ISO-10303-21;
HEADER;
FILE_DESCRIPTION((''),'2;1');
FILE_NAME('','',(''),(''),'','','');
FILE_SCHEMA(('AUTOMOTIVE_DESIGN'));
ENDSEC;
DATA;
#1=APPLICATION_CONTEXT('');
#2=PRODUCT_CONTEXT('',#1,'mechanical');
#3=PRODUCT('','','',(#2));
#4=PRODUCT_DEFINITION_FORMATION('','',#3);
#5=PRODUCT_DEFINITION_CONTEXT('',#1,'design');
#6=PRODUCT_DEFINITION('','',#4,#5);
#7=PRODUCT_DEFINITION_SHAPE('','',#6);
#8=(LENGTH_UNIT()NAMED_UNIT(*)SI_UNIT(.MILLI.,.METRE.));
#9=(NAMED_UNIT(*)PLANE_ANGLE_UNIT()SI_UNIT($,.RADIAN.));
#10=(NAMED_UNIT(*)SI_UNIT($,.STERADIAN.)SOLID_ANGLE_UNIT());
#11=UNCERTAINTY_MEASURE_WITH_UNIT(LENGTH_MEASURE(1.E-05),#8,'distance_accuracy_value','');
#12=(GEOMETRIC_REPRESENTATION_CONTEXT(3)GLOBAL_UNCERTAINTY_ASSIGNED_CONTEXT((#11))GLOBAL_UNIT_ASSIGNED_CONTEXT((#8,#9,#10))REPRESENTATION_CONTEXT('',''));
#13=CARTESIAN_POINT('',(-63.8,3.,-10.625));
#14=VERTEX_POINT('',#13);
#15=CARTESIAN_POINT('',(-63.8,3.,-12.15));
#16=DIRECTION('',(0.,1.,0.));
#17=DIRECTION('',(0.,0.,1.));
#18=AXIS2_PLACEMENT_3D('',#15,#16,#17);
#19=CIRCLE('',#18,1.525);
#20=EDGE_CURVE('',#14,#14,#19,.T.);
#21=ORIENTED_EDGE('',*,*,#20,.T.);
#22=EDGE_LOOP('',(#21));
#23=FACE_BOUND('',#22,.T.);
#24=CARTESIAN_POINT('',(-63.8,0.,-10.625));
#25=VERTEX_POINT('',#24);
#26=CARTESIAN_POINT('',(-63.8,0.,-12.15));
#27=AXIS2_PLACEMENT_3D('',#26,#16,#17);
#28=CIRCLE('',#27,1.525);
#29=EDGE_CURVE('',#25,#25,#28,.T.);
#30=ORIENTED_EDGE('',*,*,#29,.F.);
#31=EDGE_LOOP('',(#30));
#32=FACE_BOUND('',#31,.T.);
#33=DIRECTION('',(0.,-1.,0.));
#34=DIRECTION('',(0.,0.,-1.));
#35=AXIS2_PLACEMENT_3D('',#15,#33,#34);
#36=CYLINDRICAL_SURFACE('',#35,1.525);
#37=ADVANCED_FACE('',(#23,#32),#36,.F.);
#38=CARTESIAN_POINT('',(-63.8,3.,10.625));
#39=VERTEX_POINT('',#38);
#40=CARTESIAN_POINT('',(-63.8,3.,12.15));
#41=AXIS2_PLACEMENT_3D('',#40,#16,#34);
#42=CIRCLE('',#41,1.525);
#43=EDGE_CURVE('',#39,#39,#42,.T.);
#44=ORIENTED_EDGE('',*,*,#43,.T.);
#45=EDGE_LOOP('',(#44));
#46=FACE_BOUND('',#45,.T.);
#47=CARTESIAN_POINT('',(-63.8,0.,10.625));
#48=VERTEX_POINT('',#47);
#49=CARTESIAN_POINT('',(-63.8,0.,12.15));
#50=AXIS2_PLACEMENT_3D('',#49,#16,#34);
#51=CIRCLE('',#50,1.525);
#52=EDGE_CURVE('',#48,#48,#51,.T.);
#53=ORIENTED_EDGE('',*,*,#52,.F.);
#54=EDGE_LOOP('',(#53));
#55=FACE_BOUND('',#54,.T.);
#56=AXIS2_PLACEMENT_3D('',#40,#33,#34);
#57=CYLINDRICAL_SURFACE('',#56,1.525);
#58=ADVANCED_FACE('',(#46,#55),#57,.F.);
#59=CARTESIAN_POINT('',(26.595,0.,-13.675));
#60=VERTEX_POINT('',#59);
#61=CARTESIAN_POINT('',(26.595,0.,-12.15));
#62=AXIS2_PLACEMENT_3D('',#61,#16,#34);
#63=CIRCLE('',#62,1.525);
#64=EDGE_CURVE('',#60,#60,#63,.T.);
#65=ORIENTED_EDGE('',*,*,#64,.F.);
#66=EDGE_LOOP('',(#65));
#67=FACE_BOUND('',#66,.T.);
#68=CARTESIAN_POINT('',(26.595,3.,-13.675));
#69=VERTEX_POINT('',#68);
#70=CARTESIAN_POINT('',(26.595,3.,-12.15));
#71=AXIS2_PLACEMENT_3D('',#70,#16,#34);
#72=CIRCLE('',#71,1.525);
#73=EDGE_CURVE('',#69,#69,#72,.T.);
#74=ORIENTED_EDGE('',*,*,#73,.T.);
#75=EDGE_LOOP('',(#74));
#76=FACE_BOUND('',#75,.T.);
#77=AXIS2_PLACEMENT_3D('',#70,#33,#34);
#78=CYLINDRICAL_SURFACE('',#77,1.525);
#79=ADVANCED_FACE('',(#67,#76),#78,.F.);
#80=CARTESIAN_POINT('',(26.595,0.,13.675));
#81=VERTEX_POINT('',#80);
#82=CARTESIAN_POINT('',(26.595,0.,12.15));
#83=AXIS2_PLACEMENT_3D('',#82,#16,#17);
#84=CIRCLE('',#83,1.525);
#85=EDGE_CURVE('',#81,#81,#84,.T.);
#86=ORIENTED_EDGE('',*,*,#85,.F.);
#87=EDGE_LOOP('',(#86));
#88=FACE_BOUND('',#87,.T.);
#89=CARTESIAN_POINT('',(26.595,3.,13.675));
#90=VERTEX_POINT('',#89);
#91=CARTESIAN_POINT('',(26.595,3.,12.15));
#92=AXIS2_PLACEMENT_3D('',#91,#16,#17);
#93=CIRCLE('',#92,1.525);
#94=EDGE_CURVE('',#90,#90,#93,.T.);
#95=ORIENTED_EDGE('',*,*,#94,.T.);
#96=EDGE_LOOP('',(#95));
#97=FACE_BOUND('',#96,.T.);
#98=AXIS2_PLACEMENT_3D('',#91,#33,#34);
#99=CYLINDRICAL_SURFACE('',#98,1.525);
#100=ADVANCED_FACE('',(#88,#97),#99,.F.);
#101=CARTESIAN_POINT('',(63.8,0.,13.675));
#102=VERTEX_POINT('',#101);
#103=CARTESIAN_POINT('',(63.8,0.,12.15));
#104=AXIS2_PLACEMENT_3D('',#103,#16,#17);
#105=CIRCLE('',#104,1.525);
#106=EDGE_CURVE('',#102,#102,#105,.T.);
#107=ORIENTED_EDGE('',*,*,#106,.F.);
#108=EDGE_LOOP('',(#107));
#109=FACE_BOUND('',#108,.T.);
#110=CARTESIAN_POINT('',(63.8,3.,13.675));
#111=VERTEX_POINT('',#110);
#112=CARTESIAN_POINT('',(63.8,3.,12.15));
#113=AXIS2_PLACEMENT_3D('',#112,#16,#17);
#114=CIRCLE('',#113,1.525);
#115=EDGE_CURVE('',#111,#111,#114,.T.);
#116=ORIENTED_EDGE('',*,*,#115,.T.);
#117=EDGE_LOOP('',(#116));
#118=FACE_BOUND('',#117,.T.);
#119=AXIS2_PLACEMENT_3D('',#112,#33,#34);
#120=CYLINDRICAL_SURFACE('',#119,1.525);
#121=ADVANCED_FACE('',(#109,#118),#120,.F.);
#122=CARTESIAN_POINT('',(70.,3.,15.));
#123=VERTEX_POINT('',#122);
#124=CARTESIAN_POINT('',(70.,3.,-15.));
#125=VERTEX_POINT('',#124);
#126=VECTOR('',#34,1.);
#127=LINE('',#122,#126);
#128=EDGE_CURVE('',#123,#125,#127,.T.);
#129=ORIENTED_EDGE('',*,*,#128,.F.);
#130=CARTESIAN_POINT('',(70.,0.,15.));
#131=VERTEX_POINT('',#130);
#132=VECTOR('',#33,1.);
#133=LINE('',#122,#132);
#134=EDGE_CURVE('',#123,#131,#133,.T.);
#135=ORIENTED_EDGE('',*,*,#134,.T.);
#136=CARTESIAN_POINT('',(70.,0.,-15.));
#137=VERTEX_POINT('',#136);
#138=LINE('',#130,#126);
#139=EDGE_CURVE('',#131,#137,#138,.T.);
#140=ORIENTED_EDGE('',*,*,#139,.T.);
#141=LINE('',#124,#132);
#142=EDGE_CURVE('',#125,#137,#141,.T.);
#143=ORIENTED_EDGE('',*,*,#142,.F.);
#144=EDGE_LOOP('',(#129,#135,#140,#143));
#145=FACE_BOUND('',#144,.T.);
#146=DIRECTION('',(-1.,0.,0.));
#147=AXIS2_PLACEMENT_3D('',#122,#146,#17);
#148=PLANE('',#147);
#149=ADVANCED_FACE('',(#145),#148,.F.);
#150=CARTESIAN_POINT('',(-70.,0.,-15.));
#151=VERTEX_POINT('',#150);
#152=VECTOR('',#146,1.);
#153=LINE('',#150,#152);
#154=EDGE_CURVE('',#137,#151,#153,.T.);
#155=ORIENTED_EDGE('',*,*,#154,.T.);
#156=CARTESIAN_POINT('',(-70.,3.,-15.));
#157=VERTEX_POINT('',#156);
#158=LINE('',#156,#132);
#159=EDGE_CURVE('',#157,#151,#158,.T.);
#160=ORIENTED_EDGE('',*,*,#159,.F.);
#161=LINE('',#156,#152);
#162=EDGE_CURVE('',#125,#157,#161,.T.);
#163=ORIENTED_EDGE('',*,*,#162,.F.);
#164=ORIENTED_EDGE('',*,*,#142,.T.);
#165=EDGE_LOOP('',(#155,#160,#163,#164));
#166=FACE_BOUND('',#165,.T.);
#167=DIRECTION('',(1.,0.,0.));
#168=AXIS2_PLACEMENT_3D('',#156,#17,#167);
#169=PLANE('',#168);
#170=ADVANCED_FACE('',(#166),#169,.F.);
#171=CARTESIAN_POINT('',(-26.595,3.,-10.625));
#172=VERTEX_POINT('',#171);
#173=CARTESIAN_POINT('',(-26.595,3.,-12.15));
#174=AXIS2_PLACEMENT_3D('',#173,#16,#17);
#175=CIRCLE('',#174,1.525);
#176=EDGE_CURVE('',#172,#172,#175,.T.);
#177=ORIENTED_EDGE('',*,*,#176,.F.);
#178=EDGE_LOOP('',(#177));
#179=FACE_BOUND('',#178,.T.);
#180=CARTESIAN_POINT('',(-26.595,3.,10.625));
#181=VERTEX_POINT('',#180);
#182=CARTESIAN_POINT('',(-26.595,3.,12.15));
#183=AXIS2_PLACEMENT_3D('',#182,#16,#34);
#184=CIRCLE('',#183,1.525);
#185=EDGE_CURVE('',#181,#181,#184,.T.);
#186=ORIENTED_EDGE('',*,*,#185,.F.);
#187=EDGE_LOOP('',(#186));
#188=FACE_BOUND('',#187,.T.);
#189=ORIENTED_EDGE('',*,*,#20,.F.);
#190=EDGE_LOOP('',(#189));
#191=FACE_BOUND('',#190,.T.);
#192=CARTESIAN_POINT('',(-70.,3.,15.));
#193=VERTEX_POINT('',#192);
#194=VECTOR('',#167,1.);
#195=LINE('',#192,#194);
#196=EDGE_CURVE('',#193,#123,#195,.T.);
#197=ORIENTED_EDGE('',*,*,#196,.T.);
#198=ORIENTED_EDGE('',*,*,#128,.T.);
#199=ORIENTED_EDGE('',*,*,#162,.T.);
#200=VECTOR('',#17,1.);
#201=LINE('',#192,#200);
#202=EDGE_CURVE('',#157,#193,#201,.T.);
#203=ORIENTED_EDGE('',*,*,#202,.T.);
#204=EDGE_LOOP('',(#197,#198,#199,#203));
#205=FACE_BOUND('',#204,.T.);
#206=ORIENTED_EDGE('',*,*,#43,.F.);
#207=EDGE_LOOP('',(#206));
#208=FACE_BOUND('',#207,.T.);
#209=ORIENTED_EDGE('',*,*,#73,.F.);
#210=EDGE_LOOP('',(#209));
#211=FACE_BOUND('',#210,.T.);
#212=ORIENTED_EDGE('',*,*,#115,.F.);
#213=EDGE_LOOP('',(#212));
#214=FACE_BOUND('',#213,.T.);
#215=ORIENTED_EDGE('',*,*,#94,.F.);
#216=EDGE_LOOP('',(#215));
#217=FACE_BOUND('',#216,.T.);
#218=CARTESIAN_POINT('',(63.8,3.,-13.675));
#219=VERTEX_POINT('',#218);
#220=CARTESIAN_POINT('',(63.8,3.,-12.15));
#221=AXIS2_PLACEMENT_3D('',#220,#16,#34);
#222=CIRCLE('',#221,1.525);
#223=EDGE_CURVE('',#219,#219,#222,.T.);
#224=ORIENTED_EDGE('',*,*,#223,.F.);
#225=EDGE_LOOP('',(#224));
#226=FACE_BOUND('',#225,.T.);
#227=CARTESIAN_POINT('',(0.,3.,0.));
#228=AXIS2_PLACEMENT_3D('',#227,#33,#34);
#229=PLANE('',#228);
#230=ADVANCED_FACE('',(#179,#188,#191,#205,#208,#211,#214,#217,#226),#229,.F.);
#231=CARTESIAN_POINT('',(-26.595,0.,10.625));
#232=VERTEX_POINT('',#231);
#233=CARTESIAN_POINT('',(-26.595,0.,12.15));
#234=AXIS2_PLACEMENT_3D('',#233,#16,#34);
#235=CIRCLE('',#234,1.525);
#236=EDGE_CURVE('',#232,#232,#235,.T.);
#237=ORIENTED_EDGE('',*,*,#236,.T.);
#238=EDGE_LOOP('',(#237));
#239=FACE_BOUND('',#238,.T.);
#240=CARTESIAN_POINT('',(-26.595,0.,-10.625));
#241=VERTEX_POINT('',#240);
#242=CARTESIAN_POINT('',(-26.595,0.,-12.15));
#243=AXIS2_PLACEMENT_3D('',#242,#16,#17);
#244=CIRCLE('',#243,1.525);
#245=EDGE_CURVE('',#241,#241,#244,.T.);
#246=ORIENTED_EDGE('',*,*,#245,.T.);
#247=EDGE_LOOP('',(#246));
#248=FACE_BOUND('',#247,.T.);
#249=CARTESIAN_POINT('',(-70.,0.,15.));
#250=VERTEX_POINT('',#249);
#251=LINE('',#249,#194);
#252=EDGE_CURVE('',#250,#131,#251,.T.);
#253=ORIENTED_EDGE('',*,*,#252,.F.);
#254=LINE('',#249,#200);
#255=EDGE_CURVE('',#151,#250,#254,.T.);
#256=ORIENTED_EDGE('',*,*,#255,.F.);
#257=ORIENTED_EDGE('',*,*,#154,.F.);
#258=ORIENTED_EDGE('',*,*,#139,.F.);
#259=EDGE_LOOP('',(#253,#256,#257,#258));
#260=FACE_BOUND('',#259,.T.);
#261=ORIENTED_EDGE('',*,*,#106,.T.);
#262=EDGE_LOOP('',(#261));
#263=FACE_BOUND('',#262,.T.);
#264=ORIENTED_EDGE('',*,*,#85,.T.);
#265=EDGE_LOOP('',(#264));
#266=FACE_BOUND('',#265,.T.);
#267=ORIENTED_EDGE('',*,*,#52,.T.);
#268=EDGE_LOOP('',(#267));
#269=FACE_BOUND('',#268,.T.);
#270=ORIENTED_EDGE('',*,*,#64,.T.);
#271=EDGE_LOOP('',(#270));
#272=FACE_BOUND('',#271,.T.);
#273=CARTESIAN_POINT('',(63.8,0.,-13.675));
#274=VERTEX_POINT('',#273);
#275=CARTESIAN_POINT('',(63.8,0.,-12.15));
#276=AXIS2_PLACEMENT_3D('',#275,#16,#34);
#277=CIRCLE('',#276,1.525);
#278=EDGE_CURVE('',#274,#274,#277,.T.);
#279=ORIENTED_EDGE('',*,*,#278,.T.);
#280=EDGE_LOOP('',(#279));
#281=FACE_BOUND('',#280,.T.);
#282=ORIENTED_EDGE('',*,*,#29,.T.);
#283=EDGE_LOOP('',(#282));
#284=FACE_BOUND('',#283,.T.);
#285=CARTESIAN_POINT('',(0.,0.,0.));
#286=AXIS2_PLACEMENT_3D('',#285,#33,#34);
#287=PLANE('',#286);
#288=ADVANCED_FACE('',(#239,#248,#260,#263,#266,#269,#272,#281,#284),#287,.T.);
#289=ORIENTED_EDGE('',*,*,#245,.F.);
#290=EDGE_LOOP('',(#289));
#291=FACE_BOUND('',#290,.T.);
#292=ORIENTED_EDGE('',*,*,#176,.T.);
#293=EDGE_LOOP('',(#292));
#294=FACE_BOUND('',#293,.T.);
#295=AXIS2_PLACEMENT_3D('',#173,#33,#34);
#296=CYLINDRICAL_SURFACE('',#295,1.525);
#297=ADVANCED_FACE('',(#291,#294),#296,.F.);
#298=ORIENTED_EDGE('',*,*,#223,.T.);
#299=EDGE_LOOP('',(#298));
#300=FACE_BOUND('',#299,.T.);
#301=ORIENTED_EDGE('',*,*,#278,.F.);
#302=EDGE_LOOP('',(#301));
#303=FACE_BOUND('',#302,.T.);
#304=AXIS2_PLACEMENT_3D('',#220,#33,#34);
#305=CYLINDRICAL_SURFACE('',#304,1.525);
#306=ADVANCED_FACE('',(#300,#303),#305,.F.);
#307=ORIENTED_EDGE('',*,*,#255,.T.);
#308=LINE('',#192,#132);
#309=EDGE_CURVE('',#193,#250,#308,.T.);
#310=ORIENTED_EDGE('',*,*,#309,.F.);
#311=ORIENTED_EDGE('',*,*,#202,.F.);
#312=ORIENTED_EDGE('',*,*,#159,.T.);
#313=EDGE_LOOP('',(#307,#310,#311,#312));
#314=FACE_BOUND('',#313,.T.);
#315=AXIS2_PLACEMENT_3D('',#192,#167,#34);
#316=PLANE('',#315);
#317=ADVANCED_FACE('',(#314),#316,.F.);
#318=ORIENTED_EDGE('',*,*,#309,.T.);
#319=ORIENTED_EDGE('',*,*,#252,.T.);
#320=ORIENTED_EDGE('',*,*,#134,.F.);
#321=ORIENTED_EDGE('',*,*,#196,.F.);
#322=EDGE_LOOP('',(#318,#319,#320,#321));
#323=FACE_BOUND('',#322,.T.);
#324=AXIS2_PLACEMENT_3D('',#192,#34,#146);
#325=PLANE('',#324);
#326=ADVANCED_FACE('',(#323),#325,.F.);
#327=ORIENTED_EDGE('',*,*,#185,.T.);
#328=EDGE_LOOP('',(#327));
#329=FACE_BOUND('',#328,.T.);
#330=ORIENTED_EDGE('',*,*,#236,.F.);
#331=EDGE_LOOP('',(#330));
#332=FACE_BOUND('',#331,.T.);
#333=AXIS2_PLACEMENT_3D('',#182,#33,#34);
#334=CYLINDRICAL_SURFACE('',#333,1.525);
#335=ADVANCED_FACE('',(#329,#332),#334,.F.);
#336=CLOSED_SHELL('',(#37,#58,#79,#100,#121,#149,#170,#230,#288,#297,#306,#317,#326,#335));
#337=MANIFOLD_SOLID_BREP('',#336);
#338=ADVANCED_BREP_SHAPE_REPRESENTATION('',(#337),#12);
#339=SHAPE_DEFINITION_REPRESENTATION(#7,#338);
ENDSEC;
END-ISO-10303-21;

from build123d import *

# Parameters (mm, degrees)
SKETCH1_W           = 140
SKETCH1_H           = 30
SKETCH1_R           = 1.525
BOSS_EXTRUDE1_DEPTH = 3


with BuildPart() as part:
    # Sketch1 → Boss-Extrude1 (new body)
    with BuildSketch(Plane(origin=(0, 0, 0), x_dir=(1, 0, 0), z_dir=(0, 1, 0))):
        Rectangle(SKETCH1_W, SKETCH1_H)
        with Locations(Location((-63.8, 12.15, 0), (0, 0, 270))):
            Circle(SKETCH1_R, mode=Mode.SUBTRACT)
        with Locations(Location((-63.8, -12.15, 0), (0, 0, 90))):
            Circle(SKETCH1_R, mode=Mode.SUBTRACT)
        with Locations(Location((63.8, -12.15, 0), (0, 0, 270))):
            Circle(SKETCH1_R, mode=Mode.SUBTRACT)
        with Locations(Location((63.8, 12.15, 0), (0, 0, 90))):
            Circle(SKETCH1_R, mode=Mode.SUBTRACT)
        with Locations(Location((-26.595, 12.15, 0), (0, 0, 270))):
            Circle(SKETCH1_R, mode=Mode.SUBTRACT)
        with Locations(Location((-26.595, -12.15, 0), (0, 0, 90))):
            Circle(SKETCH1_R, mode=Mode.SUBTRACT)
        with Locations(Location((26.595, -12.15, 0), (0, 0, 270))):
            Circle(SKETCH1_R, mode=Mode.SUBTRACT)
        with Locations(Location((26.595, 12.15, 0), (0, 0, 90))):
            Circle(SKETCH1_R, mode=Mode.SUBTRACT)
    extrude(amount=BOSS_EXTRUDE1_DEPTH)


solid = part.part
